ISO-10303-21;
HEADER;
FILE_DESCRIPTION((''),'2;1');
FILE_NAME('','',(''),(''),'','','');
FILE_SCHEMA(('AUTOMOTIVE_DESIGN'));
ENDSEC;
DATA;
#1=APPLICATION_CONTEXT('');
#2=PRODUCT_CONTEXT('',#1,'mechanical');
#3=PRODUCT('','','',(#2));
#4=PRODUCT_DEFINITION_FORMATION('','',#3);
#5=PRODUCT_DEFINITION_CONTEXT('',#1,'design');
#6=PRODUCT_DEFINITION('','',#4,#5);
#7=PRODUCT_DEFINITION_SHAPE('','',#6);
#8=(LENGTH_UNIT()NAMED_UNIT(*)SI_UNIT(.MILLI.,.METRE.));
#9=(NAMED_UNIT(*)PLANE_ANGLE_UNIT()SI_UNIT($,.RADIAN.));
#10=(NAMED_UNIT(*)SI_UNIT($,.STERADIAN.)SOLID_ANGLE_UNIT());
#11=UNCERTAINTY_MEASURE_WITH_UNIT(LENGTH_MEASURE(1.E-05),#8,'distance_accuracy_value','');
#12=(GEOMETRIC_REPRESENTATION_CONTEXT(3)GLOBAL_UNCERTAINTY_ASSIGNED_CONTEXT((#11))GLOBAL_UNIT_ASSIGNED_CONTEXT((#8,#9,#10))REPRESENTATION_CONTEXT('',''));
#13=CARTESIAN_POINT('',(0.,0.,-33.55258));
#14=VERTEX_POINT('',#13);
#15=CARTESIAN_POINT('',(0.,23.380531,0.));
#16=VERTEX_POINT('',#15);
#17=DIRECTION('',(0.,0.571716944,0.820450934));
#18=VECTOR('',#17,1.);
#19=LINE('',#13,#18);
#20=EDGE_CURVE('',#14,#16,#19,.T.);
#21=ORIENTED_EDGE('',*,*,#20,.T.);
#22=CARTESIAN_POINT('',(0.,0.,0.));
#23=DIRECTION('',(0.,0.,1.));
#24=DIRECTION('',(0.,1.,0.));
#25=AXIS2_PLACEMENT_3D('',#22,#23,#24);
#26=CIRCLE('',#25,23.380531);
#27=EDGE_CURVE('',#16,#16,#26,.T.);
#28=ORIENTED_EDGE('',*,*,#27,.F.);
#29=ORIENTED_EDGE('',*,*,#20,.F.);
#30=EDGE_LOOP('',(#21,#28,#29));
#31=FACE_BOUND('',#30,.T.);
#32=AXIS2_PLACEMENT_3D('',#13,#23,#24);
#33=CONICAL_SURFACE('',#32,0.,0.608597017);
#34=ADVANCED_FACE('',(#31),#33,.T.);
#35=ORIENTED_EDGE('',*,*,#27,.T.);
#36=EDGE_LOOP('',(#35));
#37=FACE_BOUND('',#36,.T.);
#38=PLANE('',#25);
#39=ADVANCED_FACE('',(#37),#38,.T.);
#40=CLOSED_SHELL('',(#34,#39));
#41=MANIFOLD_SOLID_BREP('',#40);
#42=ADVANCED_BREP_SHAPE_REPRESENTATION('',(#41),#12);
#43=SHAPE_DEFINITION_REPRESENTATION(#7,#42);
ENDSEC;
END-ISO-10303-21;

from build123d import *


with BuildPart() as f1:
    # F0 (on Right) → F1 (revolve)
    with BuildSketch(Plane.YZ):
        Polygon((23.380531, 0), (0, 0), (0, -33.55258), align=None)
    revolve(axis=Axis((0, 0, -16.77629), (0, 0, 1)))


solid = f1.part
